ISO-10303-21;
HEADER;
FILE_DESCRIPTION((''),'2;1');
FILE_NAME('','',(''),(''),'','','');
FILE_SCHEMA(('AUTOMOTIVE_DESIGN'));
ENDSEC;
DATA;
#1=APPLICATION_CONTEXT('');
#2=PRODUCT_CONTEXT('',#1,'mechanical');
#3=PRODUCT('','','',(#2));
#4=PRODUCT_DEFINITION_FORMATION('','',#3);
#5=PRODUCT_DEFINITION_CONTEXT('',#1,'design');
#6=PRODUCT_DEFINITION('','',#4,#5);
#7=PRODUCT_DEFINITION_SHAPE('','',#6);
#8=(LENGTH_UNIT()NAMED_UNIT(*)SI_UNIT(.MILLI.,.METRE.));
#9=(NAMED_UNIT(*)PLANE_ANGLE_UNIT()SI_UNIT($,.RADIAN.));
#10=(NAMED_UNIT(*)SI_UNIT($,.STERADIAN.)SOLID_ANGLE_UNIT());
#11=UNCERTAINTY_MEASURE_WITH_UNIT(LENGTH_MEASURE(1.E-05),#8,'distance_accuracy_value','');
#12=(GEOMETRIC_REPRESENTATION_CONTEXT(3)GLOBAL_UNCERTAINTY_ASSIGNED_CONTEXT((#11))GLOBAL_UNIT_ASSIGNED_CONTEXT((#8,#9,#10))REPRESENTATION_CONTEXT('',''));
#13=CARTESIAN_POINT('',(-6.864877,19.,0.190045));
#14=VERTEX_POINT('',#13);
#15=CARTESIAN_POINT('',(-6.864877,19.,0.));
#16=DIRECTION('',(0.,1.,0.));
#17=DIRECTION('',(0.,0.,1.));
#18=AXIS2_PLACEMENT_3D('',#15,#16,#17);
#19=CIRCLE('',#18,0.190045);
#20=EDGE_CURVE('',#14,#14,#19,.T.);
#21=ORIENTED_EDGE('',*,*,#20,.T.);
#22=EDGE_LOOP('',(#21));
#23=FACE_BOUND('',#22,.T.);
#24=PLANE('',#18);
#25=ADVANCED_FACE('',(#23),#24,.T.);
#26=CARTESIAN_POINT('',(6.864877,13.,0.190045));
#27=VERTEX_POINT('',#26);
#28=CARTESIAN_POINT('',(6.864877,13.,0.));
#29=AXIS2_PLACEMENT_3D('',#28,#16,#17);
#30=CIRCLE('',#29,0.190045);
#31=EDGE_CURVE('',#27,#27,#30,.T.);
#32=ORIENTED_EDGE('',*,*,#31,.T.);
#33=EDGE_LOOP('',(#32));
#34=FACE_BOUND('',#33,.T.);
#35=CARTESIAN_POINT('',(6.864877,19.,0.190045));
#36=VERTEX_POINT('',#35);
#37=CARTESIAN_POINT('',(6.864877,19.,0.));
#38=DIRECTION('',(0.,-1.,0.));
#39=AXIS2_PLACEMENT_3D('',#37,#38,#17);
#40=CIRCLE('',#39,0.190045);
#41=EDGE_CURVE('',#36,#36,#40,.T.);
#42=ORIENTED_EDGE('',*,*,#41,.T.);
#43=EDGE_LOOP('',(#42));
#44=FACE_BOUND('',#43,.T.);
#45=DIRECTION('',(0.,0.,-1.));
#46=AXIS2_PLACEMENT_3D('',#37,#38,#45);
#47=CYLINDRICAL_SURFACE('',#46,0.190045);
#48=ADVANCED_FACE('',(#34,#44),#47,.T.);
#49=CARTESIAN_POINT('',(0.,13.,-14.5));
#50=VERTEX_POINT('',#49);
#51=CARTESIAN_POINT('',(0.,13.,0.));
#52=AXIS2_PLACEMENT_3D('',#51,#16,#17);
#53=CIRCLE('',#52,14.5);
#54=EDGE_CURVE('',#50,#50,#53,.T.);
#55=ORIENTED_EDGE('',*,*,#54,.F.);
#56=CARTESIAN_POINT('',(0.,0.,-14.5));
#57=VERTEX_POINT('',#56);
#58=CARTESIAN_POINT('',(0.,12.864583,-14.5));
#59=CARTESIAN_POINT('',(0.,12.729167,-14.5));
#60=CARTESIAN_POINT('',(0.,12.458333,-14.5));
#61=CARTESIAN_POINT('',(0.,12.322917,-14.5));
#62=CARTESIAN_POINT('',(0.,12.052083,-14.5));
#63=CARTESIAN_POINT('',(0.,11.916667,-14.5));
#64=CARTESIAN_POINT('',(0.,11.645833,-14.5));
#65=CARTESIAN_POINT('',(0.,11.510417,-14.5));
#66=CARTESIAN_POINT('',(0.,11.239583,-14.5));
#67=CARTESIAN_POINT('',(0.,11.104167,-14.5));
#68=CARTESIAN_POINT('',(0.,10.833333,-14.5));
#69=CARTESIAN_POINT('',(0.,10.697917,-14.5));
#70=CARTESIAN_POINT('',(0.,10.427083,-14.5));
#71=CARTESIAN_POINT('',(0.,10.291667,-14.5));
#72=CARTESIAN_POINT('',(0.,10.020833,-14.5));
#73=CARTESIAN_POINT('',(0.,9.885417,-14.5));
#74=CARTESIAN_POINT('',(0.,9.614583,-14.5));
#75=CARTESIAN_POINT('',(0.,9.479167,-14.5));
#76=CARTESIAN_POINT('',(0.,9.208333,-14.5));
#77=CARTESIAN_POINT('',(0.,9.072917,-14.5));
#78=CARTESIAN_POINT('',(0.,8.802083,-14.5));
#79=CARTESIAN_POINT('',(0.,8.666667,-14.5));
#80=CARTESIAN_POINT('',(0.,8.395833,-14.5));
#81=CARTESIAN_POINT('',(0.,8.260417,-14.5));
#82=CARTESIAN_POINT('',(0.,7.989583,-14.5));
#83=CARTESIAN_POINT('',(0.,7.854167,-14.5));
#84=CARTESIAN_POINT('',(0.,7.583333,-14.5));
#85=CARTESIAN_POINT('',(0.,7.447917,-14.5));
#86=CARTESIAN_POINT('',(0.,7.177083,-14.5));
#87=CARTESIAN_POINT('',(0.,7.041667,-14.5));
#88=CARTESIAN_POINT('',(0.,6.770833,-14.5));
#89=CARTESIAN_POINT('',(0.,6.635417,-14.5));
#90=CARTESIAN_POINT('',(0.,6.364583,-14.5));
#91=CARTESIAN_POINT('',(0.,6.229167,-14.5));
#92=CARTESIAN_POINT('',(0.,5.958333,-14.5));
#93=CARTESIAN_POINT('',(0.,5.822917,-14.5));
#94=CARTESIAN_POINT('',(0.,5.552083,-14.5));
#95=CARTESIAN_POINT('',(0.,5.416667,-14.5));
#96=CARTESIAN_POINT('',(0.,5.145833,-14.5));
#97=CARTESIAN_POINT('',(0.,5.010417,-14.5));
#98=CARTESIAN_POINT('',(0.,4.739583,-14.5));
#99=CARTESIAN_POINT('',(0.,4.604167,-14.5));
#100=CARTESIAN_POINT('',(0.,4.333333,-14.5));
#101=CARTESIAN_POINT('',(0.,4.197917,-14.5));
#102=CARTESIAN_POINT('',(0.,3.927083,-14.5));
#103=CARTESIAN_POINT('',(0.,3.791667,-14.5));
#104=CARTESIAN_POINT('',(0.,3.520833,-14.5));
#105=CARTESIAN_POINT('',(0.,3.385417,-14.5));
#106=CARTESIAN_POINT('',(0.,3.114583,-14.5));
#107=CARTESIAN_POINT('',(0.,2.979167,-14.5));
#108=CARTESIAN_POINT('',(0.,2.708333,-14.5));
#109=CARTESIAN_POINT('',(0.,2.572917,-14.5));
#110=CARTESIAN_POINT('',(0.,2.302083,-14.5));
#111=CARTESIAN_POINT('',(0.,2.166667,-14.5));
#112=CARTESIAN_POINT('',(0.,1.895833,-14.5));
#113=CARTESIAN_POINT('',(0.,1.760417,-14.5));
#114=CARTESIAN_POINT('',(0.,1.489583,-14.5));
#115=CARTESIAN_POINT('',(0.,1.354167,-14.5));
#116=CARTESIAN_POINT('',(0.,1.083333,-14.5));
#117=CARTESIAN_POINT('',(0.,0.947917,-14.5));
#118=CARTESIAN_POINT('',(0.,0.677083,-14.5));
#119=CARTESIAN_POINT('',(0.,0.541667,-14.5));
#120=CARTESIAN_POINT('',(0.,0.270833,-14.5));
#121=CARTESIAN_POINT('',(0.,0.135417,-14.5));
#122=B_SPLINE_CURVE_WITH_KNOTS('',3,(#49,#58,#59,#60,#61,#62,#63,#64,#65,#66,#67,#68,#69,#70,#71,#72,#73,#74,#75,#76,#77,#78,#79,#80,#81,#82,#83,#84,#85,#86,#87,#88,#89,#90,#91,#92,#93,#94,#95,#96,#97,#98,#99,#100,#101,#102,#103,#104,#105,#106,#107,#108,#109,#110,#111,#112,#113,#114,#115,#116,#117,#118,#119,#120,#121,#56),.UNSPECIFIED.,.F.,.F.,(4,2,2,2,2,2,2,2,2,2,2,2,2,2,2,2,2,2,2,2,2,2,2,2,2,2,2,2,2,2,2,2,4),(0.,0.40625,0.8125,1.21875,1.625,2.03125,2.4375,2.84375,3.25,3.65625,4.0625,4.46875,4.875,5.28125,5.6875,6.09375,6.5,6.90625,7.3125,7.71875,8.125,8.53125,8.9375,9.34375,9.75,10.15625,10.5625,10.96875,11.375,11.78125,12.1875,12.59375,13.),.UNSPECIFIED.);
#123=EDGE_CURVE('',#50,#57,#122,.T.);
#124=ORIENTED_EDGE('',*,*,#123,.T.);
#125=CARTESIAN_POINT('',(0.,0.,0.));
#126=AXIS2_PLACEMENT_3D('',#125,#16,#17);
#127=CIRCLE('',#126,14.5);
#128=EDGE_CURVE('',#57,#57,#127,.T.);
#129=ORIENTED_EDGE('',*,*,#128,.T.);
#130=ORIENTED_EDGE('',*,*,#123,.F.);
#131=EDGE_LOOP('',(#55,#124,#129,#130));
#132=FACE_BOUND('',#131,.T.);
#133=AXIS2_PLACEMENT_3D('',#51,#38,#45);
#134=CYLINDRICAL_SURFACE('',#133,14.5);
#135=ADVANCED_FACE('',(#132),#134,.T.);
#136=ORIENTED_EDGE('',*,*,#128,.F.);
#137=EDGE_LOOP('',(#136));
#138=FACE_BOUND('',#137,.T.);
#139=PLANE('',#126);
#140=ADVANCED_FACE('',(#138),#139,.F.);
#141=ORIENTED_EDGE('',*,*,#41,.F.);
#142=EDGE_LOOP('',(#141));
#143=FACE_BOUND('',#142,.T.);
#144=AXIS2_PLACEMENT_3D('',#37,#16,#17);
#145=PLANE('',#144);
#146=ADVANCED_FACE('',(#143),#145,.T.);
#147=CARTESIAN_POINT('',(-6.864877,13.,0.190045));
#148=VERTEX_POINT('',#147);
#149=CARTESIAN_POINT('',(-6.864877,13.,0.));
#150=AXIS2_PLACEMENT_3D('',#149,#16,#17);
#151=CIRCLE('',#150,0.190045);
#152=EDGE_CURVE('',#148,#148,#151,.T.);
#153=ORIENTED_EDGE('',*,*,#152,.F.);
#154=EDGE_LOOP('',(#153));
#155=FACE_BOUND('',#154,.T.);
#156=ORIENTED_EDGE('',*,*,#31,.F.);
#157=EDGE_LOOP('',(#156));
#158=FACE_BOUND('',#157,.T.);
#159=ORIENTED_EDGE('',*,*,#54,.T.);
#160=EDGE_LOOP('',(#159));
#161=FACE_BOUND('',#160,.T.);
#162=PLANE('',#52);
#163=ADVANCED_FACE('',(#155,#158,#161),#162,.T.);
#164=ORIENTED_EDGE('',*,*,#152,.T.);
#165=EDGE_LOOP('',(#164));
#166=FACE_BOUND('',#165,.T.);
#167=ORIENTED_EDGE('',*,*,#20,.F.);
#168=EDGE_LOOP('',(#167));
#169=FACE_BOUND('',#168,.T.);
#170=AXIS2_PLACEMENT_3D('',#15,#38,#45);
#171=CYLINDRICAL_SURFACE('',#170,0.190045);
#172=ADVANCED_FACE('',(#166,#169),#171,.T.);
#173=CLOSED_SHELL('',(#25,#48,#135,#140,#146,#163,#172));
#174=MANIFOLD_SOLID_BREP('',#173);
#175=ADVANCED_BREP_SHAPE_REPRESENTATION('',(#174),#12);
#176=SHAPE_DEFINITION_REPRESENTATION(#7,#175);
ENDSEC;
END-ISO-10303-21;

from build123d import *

# Parameters (mm, degrees)
ESQUISSE1_R        = 14.5
BOSS_EXTRU_1_DEPTH = 13
ESQUISSE2_R        = 0.190045057
BOSS_EXTRU_2_DEPTH = 6


with BuildPart() as part:
    # Esquisse1 → Boss.-Extru.1 (new body)
    with BuildSketch(Plane(origin=(0, 0, 0), x_dir=(1, 0, 0), z_dir=(0, 1, 0))):
        with Locations(Location((0, 0, 0), (0, 0, 90))):
            Circle(ESQUISSE1_R)
    extrude(amount=BOSS_EXTRU_1_DEPTH)

    # Esquisse2 → Boss.-Extru.2 (add)
    with BuildSketch(Plane(origin=(0, 13, 0), x_dir=(1, 0, 0), z_dir=(0, 1, 0))):
        with Locations(Location((-6.864876716, 0, 0), (0, 0, 270))):
            Circle(ESQUISSE2_R)
    boss_extru_2 = extrude(amount=BOSS_EXTRU_2_DEPTH)

    # Symétrie1: Boss.-Extru.2 across plane
    add(boss_extru_2.mirror(Plane(origin=(0, 0, 0), x_dir=(0, 0, 1), z_dir=(1, 0, 0))))


solid = part.part
